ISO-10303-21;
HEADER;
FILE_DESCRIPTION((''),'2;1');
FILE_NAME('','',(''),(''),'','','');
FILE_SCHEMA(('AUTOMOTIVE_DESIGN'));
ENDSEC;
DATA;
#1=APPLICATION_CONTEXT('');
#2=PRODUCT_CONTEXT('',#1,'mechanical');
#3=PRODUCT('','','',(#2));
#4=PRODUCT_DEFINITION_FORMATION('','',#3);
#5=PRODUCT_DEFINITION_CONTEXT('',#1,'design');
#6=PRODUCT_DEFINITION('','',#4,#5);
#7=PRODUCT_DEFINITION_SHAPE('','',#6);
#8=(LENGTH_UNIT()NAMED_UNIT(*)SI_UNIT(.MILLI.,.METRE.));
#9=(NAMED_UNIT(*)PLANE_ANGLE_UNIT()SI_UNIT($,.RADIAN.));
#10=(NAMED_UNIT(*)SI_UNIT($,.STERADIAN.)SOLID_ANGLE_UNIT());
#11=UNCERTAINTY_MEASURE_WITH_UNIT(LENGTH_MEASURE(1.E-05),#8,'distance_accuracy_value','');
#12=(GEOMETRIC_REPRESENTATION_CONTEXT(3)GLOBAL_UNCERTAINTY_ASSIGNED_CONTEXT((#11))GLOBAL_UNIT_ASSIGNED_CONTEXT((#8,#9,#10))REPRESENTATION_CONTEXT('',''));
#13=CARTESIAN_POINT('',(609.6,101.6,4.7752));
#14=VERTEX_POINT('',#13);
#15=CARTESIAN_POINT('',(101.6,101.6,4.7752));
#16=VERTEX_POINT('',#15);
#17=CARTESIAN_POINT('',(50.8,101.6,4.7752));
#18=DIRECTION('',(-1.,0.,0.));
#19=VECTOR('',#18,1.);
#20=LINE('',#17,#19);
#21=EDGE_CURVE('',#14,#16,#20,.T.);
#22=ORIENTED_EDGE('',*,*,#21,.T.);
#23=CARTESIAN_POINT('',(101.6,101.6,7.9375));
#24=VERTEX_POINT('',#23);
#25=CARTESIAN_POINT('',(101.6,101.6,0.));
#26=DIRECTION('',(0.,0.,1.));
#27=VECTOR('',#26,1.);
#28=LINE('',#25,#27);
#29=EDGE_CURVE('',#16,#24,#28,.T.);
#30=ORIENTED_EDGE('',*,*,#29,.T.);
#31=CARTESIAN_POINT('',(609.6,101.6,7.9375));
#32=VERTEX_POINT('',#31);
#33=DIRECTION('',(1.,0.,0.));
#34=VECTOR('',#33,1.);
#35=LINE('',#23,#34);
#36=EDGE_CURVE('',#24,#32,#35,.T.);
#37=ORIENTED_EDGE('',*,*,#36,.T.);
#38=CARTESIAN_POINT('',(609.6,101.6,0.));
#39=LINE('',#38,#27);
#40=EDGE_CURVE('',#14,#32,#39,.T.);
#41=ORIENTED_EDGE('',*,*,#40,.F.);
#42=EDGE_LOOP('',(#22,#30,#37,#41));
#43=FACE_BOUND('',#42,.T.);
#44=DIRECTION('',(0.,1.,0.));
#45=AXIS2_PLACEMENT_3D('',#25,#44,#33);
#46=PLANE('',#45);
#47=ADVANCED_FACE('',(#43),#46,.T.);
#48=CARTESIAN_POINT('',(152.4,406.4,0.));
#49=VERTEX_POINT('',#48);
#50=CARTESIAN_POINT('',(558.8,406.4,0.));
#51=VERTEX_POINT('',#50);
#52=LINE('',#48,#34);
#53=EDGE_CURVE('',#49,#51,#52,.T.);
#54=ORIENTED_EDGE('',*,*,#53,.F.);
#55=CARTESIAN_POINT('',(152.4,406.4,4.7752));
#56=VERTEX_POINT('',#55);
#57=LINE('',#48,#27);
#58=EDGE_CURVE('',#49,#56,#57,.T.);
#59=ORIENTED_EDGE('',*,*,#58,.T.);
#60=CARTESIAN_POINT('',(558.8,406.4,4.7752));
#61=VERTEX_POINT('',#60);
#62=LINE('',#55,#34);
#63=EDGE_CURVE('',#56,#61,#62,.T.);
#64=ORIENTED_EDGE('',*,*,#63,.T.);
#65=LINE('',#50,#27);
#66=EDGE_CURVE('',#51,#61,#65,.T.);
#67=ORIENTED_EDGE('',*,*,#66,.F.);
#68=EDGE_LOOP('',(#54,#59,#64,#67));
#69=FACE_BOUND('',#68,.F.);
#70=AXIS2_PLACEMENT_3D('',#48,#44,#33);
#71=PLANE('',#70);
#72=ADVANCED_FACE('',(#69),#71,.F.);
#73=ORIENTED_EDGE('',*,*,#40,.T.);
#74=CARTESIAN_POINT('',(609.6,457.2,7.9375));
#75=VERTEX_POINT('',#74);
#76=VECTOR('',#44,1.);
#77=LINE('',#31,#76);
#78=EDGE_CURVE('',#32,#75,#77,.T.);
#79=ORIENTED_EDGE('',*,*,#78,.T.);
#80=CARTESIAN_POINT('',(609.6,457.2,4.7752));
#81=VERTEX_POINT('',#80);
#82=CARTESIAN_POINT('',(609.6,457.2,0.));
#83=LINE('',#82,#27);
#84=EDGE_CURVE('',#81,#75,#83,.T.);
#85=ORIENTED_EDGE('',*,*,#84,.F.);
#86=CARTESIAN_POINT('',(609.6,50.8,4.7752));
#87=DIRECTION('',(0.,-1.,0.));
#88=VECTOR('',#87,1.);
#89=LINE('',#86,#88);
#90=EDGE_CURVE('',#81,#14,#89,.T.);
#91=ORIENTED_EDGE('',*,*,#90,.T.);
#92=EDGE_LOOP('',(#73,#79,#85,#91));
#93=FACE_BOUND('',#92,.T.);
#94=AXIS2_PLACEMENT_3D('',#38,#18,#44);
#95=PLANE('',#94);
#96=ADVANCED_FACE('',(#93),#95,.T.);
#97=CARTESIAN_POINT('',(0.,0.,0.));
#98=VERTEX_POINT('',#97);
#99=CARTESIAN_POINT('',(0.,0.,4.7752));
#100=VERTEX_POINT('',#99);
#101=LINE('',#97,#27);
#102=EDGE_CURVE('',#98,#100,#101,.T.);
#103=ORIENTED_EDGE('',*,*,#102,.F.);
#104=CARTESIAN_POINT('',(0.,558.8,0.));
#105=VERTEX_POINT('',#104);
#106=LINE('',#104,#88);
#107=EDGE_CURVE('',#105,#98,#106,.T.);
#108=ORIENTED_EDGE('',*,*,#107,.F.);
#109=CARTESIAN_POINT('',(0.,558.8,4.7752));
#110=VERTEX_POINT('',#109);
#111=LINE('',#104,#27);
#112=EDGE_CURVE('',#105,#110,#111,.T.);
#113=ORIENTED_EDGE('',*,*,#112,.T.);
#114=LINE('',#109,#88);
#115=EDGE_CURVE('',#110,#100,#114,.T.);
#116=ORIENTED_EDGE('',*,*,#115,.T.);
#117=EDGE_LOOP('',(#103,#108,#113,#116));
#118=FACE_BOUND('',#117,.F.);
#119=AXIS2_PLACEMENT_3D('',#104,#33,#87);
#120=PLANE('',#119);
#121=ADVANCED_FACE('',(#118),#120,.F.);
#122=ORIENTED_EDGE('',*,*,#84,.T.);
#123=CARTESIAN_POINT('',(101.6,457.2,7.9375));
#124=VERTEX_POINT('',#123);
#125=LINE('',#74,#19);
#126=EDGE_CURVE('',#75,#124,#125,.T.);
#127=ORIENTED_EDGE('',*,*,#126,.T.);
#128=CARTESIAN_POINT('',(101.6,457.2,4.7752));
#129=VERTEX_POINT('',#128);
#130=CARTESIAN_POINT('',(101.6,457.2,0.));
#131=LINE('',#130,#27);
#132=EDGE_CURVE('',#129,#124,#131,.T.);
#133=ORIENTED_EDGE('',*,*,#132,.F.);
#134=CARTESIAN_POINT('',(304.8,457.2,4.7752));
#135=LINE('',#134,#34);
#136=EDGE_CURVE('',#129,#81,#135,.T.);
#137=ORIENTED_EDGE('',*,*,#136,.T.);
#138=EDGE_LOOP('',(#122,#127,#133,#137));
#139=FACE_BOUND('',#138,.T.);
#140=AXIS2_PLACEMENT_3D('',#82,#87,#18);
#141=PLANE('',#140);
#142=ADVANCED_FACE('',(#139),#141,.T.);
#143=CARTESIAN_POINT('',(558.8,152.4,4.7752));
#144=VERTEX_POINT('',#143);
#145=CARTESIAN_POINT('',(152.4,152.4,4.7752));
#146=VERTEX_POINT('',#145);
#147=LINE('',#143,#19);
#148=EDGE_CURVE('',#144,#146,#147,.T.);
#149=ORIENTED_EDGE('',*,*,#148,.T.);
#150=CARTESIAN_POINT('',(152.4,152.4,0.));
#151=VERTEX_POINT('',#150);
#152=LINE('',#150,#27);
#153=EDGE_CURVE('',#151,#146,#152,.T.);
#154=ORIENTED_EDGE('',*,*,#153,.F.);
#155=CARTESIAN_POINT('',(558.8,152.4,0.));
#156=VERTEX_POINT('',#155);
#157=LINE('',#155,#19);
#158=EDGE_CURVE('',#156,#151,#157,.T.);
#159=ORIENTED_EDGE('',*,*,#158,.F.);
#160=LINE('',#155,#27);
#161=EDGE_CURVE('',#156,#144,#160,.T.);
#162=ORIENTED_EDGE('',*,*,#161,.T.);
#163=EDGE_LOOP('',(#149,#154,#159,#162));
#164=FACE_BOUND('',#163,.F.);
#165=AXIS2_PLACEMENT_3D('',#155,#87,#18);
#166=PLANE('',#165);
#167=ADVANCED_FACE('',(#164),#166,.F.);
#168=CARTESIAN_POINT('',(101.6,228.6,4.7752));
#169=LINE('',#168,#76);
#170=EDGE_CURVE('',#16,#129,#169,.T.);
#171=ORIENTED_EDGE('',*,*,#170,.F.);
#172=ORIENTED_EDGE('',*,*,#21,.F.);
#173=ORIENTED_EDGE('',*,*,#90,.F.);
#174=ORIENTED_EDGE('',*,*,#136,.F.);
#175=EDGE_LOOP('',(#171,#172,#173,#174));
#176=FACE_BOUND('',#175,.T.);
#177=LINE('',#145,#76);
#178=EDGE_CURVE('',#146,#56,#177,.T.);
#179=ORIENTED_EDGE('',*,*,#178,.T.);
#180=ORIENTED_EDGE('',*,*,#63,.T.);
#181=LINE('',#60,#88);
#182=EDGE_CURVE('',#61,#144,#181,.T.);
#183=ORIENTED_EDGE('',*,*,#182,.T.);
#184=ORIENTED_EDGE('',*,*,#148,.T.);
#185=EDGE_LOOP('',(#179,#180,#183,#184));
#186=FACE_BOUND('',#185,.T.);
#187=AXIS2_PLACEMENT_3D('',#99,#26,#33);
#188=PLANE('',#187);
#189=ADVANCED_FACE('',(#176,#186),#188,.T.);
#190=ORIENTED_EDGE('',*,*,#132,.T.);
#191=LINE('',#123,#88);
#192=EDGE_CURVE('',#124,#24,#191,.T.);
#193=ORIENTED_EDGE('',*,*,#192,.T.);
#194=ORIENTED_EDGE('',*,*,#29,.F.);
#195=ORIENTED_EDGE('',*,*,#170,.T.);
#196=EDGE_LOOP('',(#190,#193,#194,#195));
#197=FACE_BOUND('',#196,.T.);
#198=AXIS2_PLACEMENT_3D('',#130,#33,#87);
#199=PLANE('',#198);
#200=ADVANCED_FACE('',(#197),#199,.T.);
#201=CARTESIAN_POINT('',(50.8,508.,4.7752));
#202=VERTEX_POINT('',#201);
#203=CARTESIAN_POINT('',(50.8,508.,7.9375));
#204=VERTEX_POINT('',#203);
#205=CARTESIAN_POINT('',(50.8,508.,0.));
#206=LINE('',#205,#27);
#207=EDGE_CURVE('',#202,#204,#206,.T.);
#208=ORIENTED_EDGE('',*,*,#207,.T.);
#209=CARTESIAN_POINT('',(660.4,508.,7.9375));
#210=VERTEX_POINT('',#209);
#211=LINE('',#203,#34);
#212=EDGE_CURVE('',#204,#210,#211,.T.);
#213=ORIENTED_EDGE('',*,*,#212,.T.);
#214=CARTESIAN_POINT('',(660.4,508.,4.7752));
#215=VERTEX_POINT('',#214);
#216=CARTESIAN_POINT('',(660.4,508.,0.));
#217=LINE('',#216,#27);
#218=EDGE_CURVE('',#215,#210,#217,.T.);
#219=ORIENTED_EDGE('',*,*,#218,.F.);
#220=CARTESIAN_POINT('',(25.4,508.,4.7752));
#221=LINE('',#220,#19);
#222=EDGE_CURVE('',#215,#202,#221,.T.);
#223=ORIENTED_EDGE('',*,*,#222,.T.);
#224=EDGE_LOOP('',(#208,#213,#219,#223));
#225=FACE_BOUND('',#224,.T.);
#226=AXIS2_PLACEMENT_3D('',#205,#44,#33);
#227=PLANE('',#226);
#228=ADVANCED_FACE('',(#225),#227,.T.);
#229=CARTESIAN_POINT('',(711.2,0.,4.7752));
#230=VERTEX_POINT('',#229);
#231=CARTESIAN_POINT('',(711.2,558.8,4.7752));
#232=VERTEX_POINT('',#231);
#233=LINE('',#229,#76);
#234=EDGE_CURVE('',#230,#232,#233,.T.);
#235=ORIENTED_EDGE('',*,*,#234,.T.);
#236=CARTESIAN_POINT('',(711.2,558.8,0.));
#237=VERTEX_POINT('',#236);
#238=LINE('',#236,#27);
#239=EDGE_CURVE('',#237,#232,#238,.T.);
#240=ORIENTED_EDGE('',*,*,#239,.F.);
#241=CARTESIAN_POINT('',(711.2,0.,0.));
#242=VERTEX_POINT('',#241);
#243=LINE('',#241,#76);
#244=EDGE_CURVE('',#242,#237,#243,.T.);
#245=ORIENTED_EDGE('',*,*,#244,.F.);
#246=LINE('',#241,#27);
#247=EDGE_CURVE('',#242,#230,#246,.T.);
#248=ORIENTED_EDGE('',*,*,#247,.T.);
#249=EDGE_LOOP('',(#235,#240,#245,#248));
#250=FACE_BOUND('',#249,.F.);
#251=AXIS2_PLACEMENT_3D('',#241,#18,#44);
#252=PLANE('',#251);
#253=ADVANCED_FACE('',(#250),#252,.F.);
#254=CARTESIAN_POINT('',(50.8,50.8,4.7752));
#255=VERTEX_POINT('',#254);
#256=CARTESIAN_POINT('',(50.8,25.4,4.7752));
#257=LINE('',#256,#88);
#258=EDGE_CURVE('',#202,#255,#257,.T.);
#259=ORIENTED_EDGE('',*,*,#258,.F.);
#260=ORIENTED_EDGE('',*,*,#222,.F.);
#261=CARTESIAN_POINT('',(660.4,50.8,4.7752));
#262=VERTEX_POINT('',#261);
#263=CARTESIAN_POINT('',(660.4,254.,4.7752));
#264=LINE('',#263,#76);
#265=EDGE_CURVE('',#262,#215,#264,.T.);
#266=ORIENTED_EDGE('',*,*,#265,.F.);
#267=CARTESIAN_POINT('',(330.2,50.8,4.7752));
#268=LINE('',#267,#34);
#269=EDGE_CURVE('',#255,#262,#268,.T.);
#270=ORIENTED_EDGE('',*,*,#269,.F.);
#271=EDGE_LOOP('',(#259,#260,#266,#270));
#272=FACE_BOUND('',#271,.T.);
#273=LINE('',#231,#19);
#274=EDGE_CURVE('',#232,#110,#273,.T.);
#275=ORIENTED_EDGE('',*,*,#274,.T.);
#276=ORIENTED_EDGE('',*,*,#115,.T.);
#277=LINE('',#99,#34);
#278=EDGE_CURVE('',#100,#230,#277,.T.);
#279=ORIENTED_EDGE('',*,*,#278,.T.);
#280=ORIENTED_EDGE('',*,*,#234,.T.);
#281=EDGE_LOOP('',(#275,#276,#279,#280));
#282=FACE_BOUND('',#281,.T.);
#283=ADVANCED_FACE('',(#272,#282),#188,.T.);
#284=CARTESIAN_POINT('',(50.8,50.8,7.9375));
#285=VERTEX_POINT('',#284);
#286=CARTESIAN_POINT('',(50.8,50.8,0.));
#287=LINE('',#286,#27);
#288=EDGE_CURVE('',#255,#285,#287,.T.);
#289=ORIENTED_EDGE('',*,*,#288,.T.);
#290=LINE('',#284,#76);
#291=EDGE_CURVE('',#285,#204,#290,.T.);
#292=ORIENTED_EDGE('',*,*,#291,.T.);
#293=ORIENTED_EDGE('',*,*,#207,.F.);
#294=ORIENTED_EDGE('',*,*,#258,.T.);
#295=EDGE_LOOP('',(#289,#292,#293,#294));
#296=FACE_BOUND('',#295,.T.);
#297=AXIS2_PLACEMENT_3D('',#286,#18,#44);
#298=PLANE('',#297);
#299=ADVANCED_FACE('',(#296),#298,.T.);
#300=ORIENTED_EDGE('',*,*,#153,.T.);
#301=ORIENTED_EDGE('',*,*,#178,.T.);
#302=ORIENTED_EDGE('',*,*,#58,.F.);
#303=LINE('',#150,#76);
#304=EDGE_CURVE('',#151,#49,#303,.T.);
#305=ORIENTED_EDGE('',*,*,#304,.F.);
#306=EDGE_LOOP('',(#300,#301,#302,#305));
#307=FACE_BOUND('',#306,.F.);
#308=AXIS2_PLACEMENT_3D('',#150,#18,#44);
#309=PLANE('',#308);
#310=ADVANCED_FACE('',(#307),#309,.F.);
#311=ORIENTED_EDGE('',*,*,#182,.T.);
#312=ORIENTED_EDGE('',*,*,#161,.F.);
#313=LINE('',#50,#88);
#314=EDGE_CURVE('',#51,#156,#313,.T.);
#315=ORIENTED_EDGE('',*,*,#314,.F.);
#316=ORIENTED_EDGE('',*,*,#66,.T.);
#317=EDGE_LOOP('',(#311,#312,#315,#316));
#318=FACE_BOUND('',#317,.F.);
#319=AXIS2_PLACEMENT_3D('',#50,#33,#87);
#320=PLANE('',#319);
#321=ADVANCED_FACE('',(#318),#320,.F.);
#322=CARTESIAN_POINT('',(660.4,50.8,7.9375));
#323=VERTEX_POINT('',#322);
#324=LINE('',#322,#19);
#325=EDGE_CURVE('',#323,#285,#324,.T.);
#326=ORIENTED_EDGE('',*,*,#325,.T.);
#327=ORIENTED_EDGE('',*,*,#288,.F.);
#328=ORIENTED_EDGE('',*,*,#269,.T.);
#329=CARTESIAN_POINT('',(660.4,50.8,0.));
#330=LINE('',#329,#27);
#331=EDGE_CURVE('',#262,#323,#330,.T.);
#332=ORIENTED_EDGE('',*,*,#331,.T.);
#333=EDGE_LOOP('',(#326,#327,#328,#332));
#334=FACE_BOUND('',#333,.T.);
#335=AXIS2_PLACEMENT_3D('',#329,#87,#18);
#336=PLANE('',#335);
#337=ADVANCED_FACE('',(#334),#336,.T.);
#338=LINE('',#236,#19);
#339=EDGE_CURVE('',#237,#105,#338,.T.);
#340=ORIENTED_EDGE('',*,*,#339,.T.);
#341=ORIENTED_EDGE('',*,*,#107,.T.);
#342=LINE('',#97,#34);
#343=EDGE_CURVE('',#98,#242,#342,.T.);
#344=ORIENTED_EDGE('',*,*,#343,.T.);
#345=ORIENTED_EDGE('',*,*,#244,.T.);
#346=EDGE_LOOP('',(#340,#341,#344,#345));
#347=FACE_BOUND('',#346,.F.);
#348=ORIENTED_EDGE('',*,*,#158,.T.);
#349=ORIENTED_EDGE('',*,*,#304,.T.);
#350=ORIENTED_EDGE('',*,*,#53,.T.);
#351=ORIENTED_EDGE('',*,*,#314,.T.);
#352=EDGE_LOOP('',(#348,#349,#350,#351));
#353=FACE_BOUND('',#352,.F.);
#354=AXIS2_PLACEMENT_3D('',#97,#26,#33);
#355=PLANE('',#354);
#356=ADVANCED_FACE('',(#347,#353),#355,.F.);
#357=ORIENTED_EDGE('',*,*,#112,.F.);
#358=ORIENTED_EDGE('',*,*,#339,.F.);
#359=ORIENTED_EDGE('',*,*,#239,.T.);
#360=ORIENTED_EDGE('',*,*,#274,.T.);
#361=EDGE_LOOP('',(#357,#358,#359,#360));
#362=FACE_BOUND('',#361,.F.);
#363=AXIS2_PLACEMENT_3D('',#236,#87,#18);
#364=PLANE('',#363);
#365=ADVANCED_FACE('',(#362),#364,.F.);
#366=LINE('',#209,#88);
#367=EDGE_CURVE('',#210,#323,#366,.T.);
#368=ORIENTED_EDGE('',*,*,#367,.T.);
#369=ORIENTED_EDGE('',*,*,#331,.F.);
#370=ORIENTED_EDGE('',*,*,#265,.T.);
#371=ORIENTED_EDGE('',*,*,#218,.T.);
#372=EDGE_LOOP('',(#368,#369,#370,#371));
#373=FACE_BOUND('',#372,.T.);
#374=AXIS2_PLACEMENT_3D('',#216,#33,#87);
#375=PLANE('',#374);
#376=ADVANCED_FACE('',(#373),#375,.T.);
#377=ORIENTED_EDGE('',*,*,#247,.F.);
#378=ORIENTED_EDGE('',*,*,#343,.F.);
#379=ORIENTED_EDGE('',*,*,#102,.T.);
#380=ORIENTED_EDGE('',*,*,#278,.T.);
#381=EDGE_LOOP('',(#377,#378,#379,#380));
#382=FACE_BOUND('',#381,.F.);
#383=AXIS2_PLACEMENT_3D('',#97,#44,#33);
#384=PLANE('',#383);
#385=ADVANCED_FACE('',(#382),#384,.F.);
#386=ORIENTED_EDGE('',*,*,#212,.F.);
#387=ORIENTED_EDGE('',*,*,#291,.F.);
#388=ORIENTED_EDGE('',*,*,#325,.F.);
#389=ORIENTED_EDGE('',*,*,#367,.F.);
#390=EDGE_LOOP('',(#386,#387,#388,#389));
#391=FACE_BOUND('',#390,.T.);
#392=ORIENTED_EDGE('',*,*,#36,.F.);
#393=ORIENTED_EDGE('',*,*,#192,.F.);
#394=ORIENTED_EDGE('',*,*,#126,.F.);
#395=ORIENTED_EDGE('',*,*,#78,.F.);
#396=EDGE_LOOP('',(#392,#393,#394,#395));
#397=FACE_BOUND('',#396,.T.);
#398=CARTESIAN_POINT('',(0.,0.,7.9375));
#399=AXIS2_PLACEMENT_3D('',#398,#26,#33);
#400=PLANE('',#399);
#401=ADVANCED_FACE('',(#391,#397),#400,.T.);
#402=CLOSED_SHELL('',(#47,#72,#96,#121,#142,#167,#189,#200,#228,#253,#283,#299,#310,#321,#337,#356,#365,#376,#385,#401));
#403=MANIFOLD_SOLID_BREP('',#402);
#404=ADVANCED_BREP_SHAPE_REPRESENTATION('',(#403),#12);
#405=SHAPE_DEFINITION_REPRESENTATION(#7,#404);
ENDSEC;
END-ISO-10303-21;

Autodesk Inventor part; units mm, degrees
ref_plane "YZ Plane" through (0, 0, 0) normal (1, 0, 0) x (0, 1, 0)
ref_plane "XZ Plane" through (0, 0, 0) normal (0, 1, 0) x (-1, 0, 0)
ref_plane "XY Plane" through (0, 0, 0) normal (0, 0, 1) x (1, 0, 0)
sketch "Sketch1" plane through (0, 0, 0) normal (0, 0, 1) x (1, 0, 0)
  line L0 (0, 0) -> (711.2, 0)
  line L1 (711.2, 0) -> (711.2, 558.8)
  line L2 (711.2, 558.8) -> (0, 558.8)
  line L3 (0, 558.8) -> (0, 0)
  line L4 (50.8, 508) -> (660.4, 508)
  line L5 (660.4, 508) -> (660.4, 50.8)
  line L6 (660.4, 50.8) -> (50.8, 50.8)
  line L7 (50.8, 50.8) -> (50.8, 508)
  line L8 (609.6, 457.2) -> (101.6, 457.2)
  line L9 (101.6, 457.2) -> (101.6, 101.6)
  line L10 (101.6, 101.6) -> (609.6, 101.6)
  line L11 (609.6, 101.6) -> (609.6, 457.2)
  line L12 (152.4, 406.4) -> (558.8, 406.4)
  line L13 (558.8, 406.4) -> (558.8, 152.4)
  line L14 (558.8, 152.4) -> (152.4, 152.4)
  line L15 (152.4, 152.4) -> (152.4, 406.4)
  dimension "d2" = 50.8
  dimension "d3" = 50.8
  dimension "d4" = 50.8
  dimension "d9" = 457.2
  dimension "d10" = 609.6
extrude "Extrusion1" add sketch "Sketch1" along normal blind 4.7752 contours L3 L2 L1 L0 | L4 L5 L6 L7 | L11 L10 L9 L8
extrude "Extrusion2" add sketch "Sketch1" along normal blind 7.9375 contours L4 L5 L6 L7
properties part number "square"
